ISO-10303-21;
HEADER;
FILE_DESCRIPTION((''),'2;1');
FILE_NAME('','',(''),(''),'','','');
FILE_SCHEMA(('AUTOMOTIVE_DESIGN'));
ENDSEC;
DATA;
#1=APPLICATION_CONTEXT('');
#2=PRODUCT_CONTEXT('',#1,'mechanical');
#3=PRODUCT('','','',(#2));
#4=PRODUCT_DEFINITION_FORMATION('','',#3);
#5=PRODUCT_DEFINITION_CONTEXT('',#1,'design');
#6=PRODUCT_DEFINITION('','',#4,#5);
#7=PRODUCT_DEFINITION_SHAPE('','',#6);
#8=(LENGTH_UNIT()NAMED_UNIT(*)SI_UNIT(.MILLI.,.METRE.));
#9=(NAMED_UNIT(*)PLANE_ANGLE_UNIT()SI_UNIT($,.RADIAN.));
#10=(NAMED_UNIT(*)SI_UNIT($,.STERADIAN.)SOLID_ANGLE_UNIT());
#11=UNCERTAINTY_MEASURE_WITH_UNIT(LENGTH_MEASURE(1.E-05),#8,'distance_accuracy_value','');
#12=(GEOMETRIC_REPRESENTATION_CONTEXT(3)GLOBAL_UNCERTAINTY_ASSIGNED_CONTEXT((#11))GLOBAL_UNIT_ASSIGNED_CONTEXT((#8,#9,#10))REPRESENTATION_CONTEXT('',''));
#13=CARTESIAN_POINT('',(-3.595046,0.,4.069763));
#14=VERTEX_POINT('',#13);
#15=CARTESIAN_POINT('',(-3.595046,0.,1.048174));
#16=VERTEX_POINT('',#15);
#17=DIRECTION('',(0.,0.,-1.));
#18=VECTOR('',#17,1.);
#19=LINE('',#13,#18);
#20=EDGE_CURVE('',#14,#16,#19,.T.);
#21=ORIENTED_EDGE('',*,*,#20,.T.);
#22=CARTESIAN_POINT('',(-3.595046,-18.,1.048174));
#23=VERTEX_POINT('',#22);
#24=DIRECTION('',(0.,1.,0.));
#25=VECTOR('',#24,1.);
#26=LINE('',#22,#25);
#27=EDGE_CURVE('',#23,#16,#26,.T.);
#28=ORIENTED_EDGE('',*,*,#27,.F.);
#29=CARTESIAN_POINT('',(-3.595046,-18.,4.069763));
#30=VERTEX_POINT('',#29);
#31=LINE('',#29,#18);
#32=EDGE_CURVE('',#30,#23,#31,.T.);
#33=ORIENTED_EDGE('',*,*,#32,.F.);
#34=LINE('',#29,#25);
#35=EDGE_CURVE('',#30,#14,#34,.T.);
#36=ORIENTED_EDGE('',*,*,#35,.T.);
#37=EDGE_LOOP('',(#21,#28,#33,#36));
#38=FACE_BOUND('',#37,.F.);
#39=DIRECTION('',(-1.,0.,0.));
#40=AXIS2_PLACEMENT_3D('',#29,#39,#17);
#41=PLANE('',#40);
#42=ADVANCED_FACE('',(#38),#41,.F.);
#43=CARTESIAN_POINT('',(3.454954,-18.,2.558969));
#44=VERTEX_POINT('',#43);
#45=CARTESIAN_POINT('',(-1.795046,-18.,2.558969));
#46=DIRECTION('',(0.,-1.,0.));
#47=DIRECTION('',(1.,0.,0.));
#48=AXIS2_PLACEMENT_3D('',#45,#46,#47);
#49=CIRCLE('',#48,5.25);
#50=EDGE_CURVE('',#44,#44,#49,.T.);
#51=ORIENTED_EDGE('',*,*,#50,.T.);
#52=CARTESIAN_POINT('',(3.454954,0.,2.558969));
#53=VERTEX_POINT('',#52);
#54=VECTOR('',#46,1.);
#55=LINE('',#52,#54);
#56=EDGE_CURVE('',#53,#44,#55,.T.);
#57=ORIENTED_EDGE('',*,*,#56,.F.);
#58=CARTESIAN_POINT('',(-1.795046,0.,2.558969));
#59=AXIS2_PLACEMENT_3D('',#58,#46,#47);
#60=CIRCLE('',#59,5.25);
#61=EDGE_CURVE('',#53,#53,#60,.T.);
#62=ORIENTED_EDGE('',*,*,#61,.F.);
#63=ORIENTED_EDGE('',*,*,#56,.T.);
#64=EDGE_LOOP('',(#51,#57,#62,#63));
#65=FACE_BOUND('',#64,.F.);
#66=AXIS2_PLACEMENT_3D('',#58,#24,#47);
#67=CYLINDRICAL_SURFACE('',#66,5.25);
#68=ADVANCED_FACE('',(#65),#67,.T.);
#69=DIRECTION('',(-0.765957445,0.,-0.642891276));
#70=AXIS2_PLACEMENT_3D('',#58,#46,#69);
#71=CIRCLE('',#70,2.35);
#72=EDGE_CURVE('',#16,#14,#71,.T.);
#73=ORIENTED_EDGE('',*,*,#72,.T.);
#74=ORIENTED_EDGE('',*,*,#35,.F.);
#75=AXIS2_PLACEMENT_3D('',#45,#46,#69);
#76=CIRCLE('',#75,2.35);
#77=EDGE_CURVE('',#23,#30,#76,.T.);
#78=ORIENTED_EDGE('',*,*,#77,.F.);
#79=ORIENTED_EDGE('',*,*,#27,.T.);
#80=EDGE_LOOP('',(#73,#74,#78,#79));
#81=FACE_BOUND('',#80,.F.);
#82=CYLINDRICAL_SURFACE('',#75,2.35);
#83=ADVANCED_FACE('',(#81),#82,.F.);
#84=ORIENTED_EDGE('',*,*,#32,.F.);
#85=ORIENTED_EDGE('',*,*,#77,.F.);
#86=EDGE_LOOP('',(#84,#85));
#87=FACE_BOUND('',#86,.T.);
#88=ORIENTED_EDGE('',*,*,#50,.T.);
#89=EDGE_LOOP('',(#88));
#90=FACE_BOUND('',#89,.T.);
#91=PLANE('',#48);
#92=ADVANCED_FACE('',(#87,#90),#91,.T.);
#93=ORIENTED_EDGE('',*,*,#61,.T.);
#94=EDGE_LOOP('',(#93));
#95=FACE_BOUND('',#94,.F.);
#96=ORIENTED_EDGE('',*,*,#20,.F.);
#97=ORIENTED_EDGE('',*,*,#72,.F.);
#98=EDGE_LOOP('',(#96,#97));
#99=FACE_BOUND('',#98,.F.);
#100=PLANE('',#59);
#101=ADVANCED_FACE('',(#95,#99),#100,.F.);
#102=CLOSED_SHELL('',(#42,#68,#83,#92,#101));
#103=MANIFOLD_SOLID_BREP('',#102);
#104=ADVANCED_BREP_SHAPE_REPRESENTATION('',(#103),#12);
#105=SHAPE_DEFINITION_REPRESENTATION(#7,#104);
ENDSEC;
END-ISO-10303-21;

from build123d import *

# Parameters (mm, degrees)
F0_R     = 5.25
F1_DEPTH = 18
F3_DEPTH = 18


with BuildPart() as f1:
    # F0 (on Front) → F1 (new body)
    with BuildSketch(Plane.XZ):
        with Locations((-1.795046, 2.558969)):
            Circle(F0_R)
    extrude(amount=F1_DEPTH)

    # F2 (on face) → F3 (cut, through all)
    with BuildSketch(Plane.XZ.offset(18)):
        with BuildLine():
            Line((-3.595046, 4.069763), (-3.595046, 1.048174))
            ThreePointArc((-3.595046, 1.048174), (0.554954, 2.558969), (-3.595046, 4.069763))
        make_face()
    extrude(amount=-F3_DEPTH, mode=Mode.SUBTRACT)


solid = f1.part
